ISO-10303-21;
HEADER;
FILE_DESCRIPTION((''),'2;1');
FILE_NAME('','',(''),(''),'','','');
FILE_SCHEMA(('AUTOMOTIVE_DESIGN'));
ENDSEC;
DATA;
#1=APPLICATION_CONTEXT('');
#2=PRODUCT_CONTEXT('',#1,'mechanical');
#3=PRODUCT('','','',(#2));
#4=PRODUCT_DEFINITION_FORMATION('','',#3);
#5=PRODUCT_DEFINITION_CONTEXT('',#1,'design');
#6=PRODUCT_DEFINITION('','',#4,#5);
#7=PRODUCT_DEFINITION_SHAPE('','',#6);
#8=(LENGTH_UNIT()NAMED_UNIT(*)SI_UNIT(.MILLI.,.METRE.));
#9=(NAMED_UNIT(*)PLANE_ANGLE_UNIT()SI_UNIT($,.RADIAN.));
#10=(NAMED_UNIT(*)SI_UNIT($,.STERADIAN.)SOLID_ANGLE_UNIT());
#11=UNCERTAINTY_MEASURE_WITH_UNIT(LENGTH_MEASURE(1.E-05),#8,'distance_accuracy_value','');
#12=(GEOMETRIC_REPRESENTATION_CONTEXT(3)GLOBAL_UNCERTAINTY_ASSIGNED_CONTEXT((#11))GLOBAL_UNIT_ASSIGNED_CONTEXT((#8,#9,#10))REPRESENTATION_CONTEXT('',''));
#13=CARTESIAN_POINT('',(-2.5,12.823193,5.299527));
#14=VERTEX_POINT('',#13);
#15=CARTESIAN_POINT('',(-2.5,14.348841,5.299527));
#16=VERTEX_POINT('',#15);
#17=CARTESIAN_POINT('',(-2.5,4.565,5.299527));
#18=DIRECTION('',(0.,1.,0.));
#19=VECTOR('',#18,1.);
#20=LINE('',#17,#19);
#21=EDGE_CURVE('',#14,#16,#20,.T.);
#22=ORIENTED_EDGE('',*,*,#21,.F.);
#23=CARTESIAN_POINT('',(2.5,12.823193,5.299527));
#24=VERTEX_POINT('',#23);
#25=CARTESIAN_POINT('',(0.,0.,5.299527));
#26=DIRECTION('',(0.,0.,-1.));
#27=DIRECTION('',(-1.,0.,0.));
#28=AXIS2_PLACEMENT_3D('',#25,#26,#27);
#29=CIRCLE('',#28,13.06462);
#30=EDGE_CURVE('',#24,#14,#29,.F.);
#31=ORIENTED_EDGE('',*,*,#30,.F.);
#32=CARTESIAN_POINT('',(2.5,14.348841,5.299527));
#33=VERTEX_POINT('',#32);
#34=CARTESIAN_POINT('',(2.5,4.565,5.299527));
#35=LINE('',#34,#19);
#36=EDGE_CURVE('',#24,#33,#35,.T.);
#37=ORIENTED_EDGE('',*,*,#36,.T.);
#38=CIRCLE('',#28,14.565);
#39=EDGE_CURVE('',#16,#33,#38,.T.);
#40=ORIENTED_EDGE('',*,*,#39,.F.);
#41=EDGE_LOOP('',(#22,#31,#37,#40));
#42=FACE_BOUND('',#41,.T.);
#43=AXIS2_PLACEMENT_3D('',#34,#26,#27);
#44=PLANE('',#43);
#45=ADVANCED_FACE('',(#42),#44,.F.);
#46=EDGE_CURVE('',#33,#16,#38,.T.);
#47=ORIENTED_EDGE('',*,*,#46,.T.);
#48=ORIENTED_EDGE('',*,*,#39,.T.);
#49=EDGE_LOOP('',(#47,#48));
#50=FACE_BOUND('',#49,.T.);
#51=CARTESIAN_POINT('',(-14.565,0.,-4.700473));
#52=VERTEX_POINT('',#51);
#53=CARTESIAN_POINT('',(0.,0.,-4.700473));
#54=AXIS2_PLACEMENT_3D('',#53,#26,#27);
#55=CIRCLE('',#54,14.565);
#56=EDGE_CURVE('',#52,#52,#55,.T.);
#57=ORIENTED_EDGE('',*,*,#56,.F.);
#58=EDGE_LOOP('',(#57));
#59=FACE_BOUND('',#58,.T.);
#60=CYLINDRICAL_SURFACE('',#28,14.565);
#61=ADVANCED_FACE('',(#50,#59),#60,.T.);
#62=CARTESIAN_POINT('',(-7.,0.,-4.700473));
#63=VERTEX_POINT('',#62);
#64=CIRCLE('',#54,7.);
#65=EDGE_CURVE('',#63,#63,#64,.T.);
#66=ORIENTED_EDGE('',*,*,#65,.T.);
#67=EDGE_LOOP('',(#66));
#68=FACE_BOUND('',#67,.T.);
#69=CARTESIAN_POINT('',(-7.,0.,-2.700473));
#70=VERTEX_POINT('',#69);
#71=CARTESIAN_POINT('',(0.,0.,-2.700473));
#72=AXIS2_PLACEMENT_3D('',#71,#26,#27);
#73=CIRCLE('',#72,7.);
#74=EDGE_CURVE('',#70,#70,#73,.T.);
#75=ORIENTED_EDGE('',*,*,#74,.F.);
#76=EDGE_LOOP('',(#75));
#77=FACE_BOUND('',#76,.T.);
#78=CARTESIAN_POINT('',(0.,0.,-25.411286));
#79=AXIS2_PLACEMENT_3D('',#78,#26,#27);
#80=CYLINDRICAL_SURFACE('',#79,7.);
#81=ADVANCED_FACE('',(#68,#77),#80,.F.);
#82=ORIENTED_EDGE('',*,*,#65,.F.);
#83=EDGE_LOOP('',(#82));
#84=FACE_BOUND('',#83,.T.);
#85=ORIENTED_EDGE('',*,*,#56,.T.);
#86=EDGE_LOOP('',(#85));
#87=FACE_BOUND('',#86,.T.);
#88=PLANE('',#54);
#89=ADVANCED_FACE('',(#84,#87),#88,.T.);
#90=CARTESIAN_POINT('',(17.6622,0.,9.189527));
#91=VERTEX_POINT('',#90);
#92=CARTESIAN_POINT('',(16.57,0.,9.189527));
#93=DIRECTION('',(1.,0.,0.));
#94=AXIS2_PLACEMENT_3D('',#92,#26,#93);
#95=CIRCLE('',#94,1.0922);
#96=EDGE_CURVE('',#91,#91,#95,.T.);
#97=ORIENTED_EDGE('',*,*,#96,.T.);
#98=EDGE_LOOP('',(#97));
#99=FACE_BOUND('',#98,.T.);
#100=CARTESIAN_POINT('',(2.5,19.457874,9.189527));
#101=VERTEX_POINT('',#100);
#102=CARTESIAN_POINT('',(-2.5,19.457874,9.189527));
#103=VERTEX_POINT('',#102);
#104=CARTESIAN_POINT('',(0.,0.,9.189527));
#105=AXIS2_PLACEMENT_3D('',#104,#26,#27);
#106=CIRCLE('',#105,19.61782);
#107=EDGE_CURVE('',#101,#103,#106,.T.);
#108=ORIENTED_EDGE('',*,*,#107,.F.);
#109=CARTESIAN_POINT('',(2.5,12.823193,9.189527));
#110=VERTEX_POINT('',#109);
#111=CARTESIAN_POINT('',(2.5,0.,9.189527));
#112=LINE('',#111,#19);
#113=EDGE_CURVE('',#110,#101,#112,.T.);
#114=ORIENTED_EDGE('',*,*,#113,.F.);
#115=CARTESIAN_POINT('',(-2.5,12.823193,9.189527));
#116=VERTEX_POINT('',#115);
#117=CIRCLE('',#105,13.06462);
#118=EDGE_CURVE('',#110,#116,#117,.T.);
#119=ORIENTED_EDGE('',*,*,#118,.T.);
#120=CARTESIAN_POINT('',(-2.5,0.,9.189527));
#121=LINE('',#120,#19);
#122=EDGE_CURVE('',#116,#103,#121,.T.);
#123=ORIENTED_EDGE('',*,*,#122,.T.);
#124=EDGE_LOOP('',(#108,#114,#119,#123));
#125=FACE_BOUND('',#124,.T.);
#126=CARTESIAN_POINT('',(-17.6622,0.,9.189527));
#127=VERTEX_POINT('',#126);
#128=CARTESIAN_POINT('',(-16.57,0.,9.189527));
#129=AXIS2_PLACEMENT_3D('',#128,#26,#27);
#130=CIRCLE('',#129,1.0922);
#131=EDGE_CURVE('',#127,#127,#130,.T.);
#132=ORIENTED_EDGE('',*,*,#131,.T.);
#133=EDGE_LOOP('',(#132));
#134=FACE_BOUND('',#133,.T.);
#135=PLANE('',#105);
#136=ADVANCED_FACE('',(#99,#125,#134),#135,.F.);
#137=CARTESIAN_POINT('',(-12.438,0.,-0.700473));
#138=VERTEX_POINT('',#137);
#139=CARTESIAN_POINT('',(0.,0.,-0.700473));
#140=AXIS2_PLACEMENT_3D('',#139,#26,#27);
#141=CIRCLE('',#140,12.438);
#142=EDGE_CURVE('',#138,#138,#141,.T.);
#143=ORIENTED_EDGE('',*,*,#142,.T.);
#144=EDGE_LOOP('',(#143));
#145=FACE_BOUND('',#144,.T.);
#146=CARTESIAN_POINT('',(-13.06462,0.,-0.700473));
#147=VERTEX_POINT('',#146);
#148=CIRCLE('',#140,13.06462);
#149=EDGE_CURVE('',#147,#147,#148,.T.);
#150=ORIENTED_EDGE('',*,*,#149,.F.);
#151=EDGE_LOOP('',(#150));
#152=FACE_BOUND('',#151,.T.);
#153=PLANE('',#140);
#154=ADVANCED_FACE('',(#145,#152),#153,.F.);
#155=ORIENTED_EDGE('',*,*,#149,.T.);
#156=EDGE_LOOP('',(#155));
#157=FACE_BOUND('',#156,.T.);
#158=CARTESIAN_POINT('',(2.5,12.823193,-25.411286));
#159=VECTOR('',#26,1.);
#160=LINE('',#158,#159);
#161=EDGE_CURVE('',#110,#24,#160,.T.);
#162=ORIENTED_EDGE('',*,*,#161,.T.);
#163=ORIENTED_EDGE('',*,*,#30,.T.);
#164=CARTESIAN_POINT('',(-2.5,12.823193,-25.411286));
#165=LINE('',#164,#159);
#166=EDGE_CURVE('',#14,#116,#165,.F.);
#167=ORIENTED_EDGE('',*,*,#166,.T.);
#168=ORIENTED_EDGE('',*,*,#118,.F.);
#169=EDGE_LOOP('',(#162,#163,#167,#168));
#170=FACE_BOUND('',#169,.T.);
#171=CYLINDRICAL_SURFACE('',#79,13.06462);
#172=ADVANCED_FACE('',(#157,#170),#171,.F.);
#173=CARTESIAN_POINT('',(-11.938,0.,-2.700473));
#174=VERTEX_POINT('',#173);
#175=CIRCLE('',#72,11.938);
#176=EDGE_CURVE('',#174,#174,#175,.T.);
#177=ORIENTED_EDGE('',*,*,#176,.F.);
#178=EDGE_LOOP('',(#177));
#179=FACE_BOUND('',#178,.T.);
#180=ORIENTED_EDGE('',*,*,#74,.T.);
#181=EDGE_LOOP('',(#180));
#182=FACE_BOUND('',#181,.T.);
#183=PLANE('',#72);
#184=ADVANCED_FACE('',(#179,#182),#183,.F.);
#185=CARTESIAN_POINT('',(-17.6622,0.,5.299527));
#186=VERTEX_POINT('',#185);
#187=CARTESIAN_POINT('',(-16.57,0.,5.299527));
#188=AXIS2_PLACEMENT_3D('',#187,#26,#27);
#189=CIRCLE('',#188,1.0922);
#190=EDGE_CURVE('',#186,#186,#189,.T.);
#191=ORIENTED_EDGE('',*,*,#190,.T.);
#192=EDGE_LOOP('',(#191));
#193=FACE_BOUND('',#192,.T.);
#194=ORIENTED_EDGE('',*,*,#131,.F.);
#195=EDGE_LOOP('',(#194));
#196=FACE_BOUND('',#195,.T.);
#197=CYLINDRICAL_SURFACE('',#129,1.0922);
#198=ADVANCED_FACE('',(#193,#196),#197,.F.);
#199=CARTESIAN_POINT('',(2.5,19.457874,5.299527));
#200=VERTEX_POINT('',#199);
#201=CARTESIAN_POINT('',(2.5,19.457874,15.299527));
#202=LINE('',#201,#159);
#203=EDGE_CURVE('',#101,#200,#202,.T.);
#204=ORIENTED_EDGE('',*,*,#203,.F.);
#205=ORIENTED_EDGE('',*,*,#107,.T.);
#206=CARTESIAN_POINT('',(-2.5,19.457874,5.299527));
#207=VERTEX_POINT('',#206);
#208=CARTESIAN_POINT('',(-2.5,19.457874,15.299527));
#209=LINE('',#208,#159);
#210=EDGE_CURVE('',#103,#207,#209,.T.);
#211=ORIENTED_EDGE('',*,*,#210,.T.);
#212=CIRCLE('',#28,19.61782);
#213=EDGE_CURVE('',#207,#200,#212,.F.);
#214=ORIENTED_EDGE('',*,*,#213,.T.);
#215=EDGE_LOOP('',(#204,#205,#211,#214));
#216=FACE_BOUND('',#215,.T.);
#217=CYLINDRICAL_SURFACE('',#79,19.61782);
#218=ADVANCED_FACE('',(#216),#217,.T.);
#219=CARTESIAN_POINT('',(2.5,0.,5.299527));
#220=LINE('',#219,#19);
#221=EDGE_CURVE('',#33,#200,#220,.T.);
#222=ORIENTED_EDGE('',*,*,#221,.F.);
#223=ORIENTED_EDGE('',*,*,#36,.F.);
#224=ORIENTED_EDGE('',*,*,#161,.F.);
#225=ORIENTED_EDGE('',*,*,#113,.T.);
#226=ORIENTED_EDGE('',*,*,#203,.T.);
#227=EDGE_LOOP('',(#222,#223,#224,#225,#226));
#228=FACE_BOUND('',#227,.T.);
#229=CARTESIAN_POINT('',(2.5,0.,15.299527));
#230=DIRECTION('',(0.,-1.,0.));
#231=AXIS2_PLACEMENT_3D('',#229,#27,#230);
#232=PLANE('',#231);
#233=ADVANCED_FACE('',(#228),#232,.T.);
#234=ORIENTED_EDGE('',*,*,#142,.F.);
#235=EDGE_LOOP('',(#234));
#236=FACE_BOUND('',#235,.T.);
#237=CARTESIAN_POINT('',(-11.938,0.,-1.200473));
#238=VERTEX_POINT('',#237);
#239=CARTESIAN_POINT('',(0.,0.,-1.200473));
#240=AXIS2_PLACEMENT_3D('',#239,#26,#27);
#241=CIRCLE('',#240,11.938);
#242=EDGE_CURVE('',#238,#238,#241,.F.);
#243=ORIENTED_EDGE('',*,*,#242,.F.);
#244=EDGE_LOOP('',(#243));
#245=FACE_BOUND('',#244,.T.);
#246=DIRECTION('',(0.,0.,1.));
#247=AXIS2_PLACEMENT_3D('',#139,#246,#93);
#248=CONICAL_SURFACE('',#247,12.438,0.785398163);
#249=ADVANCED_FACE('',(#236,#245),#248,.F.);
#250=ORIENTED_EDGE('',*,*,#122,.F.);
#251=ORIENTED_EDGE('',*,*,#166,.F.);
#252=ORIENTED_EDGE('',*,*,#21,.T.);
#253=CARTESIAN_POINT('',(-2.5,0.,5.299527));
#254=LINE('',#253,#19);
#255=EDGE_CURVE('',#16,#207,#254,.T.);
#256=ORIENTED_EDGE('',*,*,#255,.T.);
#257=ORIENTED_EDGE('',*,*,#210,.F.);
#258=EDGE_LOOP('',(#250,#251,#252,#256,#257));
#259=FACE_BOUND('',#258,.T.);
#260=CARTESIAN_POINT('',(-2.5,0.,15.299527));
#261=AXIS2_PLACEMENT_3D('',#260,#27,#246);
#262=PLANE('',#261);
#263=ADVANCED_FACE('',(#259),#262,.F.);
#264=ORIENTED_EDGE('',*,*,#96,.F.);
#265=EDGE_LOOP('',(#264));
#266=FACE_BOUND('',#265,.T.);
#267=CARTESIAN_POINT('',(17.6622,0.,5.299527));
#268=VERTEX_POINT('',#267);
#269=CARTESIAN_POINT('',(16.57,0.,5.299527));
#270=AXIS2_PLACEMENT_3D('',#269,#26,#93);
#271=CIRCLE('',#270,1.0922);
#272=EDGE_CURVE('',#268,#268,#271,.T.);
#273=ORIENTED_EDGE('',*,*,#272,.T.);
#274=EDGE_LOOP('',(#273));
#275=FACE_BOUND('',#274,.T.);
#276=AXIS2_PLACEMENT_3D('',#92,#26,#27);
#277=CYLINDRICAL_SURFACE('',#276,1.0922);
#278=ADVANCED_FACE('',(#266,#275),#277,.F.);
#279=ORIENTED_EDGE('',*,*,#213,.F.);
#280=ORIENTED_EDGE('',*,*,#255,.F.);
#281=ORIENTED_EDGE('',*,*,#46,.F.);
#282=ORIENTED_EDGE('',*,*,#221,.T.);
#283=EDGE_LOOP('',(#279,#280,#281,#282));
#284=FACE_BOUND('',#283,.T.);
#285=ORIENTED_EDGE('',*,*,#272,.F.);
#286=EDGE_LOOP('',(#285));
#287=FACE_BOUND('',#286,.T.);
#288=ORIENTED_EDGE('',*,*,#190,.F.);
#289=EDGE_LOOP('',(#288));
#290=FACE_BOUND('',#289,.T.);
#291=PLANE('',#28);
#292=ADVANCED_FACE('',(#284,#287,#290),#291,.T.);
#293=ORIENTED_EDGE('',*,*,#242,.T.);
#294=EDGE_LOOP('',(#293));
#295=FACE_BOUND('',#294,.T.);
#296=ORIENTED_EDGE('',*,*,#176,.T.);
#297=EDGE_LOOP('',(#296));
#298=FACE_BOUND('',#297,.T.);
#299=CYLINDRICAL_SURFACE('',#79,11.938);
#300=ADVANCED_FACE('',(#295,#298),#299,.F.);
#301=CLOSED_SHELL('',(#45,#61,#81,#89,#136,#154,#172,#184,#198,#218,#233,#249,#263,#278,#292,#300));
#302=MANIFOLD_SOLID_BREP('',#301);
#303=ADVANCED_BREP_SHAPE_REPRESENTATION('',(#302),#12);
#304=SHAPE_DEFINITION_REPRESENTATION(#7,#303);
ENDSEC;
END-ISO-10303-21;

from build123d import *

# Parameters (mm, degrees)
SKETCH1_W          = 12.617819502
SKETCH1_H          = 2
SKETCH1_W_2        = 6.5532
SKETCH1_H_2        = 9.89
SKETCH2_R          = 26.652766262
SKETCH2_R_2        = 14.565
CUT_EXTRUDE1_DEPTH = 10
SKETCH4_R          = 1.0922
CUT_EXTRUDE2_DEPTH = 4.89
CHAMFER1_SIZE      = 0.5
CUT_EXTRUDE3_DEPTH = 10
SKETCH6_W          = 5
SKETCH6_H          = 3.89
CUT_EXTRUDE4_DEPTH = 10


with BuildPart() as part:
    # Sketch1 → Revolve1 (revolve)
    with BuildSketch(Plane(origin=(0, 0, 0), x_dir=(1, 0, 0), z_dir=(0, 1, 0))):
        with Locations((-13.308909751, 3.700473465)):
            Rectangle(SKETCH1_W, SKETCH1_H)
        Polygon((-11.938, 2.700473465), (-19.617819502, 2.700473465), (-19.617819502, 0.700473465), (-13.064619502, 0.700473465), (-11.938, 0.700473465), align=None)
        with Locations((-16.341219502, -4.244526535)):
            Rectangle(SKETCH1_W_2, SKETCH1_H_2)
    revolve(axis=Axis((0, 0, -25.411285606), (0, 0, 1)))

    # Sketch2 → Cut-Extrude1 (cut)
    with BuildSketch(Plane(origin=(0, 0, -4.700473465), x_dir=(-1, 0, 0), z_dir=(0, 0, -1))):
        Circle(SKETCH2_R)
        Circle(SKETCH2_R_2, mode=Mode.SUBTRACT)
    extrude(amount=-CUT_EXTRUDE1_DEPTH, mode=Mode.SUBTRACT)

    # Sketch4 → Cut-Extrude2 (cut, through all)
    with BuildSketch(Plane(origin=(0, 0, 5.299526535), x_dir=(-1, 0, 0), z_dir=(0, 0, -1))):
        with Locations((16.57, 0)):
            Circle(SKETCH4_R)
        with Locations((-16.57, 0)):
            Circle(SKETCH4_R)
    extrude(amount=-CUT_EXTRUDE2_DEPTH, mode=Mode.SUBTRACT)

    # Chamfer1
    chamfer1_edges = [part.edges().sort_by_distance(p)[0] for p in [
        (11.938, 0, -0.700473465),
    ]]
    chamfer(chamfer1_edges, length=CHAMFER1_SIZE)

    # Sketch5 → Cut-Extrude3 (cut)
    with BuildSketch(Plane(origin=(0, 0, 5.299526535), x_dir=(-1, 0, 0), z_dir=(0, 0, -1))):
        with BuildLine():
            Line((0, 19.617819502), (0, 14.565))
            Line((0, 14.565), (2.5, 14.565))
            Line((2.5, 14.565), (2.5, 19.457873522))
            ThreePointArc((2.5, 19.457873522), (1.252555659, 19.577792172), (0, 19.617819502))
        make_face()
        with BuildLine():
            Line((-2.5, 19.457873522), (-2.5, 14.565))
            Line((-2.5, 14.565), (0, 14.565))
            Line((0, 14.565), (0, 19.617819502))
            ThreePointArc((0, 19.617819502), (-1.252555659, 19.577792172), (-2.5, 19.457873522))
        make_face()
    extrude(amount=-CUT_EXTRUDE3_DEPTH, mode=Mode.SUBTRACT)

    # Sketch6 → Cut-Extrude4 (cut)
    with BuildSketch(Plane(origin=(0, 14.565, 0), x_dir=(1, 0, 0), z_dir=(0, 1, 0))):
        with Locations((0, -7.244526535)):
            Rectangle(SKETCH6_W, SKETCH6_H)
    extrude(amount=-CUT_EXTRUDE4_DEPTH, mode=Mode.SUBTRACT)


solid = part.part
